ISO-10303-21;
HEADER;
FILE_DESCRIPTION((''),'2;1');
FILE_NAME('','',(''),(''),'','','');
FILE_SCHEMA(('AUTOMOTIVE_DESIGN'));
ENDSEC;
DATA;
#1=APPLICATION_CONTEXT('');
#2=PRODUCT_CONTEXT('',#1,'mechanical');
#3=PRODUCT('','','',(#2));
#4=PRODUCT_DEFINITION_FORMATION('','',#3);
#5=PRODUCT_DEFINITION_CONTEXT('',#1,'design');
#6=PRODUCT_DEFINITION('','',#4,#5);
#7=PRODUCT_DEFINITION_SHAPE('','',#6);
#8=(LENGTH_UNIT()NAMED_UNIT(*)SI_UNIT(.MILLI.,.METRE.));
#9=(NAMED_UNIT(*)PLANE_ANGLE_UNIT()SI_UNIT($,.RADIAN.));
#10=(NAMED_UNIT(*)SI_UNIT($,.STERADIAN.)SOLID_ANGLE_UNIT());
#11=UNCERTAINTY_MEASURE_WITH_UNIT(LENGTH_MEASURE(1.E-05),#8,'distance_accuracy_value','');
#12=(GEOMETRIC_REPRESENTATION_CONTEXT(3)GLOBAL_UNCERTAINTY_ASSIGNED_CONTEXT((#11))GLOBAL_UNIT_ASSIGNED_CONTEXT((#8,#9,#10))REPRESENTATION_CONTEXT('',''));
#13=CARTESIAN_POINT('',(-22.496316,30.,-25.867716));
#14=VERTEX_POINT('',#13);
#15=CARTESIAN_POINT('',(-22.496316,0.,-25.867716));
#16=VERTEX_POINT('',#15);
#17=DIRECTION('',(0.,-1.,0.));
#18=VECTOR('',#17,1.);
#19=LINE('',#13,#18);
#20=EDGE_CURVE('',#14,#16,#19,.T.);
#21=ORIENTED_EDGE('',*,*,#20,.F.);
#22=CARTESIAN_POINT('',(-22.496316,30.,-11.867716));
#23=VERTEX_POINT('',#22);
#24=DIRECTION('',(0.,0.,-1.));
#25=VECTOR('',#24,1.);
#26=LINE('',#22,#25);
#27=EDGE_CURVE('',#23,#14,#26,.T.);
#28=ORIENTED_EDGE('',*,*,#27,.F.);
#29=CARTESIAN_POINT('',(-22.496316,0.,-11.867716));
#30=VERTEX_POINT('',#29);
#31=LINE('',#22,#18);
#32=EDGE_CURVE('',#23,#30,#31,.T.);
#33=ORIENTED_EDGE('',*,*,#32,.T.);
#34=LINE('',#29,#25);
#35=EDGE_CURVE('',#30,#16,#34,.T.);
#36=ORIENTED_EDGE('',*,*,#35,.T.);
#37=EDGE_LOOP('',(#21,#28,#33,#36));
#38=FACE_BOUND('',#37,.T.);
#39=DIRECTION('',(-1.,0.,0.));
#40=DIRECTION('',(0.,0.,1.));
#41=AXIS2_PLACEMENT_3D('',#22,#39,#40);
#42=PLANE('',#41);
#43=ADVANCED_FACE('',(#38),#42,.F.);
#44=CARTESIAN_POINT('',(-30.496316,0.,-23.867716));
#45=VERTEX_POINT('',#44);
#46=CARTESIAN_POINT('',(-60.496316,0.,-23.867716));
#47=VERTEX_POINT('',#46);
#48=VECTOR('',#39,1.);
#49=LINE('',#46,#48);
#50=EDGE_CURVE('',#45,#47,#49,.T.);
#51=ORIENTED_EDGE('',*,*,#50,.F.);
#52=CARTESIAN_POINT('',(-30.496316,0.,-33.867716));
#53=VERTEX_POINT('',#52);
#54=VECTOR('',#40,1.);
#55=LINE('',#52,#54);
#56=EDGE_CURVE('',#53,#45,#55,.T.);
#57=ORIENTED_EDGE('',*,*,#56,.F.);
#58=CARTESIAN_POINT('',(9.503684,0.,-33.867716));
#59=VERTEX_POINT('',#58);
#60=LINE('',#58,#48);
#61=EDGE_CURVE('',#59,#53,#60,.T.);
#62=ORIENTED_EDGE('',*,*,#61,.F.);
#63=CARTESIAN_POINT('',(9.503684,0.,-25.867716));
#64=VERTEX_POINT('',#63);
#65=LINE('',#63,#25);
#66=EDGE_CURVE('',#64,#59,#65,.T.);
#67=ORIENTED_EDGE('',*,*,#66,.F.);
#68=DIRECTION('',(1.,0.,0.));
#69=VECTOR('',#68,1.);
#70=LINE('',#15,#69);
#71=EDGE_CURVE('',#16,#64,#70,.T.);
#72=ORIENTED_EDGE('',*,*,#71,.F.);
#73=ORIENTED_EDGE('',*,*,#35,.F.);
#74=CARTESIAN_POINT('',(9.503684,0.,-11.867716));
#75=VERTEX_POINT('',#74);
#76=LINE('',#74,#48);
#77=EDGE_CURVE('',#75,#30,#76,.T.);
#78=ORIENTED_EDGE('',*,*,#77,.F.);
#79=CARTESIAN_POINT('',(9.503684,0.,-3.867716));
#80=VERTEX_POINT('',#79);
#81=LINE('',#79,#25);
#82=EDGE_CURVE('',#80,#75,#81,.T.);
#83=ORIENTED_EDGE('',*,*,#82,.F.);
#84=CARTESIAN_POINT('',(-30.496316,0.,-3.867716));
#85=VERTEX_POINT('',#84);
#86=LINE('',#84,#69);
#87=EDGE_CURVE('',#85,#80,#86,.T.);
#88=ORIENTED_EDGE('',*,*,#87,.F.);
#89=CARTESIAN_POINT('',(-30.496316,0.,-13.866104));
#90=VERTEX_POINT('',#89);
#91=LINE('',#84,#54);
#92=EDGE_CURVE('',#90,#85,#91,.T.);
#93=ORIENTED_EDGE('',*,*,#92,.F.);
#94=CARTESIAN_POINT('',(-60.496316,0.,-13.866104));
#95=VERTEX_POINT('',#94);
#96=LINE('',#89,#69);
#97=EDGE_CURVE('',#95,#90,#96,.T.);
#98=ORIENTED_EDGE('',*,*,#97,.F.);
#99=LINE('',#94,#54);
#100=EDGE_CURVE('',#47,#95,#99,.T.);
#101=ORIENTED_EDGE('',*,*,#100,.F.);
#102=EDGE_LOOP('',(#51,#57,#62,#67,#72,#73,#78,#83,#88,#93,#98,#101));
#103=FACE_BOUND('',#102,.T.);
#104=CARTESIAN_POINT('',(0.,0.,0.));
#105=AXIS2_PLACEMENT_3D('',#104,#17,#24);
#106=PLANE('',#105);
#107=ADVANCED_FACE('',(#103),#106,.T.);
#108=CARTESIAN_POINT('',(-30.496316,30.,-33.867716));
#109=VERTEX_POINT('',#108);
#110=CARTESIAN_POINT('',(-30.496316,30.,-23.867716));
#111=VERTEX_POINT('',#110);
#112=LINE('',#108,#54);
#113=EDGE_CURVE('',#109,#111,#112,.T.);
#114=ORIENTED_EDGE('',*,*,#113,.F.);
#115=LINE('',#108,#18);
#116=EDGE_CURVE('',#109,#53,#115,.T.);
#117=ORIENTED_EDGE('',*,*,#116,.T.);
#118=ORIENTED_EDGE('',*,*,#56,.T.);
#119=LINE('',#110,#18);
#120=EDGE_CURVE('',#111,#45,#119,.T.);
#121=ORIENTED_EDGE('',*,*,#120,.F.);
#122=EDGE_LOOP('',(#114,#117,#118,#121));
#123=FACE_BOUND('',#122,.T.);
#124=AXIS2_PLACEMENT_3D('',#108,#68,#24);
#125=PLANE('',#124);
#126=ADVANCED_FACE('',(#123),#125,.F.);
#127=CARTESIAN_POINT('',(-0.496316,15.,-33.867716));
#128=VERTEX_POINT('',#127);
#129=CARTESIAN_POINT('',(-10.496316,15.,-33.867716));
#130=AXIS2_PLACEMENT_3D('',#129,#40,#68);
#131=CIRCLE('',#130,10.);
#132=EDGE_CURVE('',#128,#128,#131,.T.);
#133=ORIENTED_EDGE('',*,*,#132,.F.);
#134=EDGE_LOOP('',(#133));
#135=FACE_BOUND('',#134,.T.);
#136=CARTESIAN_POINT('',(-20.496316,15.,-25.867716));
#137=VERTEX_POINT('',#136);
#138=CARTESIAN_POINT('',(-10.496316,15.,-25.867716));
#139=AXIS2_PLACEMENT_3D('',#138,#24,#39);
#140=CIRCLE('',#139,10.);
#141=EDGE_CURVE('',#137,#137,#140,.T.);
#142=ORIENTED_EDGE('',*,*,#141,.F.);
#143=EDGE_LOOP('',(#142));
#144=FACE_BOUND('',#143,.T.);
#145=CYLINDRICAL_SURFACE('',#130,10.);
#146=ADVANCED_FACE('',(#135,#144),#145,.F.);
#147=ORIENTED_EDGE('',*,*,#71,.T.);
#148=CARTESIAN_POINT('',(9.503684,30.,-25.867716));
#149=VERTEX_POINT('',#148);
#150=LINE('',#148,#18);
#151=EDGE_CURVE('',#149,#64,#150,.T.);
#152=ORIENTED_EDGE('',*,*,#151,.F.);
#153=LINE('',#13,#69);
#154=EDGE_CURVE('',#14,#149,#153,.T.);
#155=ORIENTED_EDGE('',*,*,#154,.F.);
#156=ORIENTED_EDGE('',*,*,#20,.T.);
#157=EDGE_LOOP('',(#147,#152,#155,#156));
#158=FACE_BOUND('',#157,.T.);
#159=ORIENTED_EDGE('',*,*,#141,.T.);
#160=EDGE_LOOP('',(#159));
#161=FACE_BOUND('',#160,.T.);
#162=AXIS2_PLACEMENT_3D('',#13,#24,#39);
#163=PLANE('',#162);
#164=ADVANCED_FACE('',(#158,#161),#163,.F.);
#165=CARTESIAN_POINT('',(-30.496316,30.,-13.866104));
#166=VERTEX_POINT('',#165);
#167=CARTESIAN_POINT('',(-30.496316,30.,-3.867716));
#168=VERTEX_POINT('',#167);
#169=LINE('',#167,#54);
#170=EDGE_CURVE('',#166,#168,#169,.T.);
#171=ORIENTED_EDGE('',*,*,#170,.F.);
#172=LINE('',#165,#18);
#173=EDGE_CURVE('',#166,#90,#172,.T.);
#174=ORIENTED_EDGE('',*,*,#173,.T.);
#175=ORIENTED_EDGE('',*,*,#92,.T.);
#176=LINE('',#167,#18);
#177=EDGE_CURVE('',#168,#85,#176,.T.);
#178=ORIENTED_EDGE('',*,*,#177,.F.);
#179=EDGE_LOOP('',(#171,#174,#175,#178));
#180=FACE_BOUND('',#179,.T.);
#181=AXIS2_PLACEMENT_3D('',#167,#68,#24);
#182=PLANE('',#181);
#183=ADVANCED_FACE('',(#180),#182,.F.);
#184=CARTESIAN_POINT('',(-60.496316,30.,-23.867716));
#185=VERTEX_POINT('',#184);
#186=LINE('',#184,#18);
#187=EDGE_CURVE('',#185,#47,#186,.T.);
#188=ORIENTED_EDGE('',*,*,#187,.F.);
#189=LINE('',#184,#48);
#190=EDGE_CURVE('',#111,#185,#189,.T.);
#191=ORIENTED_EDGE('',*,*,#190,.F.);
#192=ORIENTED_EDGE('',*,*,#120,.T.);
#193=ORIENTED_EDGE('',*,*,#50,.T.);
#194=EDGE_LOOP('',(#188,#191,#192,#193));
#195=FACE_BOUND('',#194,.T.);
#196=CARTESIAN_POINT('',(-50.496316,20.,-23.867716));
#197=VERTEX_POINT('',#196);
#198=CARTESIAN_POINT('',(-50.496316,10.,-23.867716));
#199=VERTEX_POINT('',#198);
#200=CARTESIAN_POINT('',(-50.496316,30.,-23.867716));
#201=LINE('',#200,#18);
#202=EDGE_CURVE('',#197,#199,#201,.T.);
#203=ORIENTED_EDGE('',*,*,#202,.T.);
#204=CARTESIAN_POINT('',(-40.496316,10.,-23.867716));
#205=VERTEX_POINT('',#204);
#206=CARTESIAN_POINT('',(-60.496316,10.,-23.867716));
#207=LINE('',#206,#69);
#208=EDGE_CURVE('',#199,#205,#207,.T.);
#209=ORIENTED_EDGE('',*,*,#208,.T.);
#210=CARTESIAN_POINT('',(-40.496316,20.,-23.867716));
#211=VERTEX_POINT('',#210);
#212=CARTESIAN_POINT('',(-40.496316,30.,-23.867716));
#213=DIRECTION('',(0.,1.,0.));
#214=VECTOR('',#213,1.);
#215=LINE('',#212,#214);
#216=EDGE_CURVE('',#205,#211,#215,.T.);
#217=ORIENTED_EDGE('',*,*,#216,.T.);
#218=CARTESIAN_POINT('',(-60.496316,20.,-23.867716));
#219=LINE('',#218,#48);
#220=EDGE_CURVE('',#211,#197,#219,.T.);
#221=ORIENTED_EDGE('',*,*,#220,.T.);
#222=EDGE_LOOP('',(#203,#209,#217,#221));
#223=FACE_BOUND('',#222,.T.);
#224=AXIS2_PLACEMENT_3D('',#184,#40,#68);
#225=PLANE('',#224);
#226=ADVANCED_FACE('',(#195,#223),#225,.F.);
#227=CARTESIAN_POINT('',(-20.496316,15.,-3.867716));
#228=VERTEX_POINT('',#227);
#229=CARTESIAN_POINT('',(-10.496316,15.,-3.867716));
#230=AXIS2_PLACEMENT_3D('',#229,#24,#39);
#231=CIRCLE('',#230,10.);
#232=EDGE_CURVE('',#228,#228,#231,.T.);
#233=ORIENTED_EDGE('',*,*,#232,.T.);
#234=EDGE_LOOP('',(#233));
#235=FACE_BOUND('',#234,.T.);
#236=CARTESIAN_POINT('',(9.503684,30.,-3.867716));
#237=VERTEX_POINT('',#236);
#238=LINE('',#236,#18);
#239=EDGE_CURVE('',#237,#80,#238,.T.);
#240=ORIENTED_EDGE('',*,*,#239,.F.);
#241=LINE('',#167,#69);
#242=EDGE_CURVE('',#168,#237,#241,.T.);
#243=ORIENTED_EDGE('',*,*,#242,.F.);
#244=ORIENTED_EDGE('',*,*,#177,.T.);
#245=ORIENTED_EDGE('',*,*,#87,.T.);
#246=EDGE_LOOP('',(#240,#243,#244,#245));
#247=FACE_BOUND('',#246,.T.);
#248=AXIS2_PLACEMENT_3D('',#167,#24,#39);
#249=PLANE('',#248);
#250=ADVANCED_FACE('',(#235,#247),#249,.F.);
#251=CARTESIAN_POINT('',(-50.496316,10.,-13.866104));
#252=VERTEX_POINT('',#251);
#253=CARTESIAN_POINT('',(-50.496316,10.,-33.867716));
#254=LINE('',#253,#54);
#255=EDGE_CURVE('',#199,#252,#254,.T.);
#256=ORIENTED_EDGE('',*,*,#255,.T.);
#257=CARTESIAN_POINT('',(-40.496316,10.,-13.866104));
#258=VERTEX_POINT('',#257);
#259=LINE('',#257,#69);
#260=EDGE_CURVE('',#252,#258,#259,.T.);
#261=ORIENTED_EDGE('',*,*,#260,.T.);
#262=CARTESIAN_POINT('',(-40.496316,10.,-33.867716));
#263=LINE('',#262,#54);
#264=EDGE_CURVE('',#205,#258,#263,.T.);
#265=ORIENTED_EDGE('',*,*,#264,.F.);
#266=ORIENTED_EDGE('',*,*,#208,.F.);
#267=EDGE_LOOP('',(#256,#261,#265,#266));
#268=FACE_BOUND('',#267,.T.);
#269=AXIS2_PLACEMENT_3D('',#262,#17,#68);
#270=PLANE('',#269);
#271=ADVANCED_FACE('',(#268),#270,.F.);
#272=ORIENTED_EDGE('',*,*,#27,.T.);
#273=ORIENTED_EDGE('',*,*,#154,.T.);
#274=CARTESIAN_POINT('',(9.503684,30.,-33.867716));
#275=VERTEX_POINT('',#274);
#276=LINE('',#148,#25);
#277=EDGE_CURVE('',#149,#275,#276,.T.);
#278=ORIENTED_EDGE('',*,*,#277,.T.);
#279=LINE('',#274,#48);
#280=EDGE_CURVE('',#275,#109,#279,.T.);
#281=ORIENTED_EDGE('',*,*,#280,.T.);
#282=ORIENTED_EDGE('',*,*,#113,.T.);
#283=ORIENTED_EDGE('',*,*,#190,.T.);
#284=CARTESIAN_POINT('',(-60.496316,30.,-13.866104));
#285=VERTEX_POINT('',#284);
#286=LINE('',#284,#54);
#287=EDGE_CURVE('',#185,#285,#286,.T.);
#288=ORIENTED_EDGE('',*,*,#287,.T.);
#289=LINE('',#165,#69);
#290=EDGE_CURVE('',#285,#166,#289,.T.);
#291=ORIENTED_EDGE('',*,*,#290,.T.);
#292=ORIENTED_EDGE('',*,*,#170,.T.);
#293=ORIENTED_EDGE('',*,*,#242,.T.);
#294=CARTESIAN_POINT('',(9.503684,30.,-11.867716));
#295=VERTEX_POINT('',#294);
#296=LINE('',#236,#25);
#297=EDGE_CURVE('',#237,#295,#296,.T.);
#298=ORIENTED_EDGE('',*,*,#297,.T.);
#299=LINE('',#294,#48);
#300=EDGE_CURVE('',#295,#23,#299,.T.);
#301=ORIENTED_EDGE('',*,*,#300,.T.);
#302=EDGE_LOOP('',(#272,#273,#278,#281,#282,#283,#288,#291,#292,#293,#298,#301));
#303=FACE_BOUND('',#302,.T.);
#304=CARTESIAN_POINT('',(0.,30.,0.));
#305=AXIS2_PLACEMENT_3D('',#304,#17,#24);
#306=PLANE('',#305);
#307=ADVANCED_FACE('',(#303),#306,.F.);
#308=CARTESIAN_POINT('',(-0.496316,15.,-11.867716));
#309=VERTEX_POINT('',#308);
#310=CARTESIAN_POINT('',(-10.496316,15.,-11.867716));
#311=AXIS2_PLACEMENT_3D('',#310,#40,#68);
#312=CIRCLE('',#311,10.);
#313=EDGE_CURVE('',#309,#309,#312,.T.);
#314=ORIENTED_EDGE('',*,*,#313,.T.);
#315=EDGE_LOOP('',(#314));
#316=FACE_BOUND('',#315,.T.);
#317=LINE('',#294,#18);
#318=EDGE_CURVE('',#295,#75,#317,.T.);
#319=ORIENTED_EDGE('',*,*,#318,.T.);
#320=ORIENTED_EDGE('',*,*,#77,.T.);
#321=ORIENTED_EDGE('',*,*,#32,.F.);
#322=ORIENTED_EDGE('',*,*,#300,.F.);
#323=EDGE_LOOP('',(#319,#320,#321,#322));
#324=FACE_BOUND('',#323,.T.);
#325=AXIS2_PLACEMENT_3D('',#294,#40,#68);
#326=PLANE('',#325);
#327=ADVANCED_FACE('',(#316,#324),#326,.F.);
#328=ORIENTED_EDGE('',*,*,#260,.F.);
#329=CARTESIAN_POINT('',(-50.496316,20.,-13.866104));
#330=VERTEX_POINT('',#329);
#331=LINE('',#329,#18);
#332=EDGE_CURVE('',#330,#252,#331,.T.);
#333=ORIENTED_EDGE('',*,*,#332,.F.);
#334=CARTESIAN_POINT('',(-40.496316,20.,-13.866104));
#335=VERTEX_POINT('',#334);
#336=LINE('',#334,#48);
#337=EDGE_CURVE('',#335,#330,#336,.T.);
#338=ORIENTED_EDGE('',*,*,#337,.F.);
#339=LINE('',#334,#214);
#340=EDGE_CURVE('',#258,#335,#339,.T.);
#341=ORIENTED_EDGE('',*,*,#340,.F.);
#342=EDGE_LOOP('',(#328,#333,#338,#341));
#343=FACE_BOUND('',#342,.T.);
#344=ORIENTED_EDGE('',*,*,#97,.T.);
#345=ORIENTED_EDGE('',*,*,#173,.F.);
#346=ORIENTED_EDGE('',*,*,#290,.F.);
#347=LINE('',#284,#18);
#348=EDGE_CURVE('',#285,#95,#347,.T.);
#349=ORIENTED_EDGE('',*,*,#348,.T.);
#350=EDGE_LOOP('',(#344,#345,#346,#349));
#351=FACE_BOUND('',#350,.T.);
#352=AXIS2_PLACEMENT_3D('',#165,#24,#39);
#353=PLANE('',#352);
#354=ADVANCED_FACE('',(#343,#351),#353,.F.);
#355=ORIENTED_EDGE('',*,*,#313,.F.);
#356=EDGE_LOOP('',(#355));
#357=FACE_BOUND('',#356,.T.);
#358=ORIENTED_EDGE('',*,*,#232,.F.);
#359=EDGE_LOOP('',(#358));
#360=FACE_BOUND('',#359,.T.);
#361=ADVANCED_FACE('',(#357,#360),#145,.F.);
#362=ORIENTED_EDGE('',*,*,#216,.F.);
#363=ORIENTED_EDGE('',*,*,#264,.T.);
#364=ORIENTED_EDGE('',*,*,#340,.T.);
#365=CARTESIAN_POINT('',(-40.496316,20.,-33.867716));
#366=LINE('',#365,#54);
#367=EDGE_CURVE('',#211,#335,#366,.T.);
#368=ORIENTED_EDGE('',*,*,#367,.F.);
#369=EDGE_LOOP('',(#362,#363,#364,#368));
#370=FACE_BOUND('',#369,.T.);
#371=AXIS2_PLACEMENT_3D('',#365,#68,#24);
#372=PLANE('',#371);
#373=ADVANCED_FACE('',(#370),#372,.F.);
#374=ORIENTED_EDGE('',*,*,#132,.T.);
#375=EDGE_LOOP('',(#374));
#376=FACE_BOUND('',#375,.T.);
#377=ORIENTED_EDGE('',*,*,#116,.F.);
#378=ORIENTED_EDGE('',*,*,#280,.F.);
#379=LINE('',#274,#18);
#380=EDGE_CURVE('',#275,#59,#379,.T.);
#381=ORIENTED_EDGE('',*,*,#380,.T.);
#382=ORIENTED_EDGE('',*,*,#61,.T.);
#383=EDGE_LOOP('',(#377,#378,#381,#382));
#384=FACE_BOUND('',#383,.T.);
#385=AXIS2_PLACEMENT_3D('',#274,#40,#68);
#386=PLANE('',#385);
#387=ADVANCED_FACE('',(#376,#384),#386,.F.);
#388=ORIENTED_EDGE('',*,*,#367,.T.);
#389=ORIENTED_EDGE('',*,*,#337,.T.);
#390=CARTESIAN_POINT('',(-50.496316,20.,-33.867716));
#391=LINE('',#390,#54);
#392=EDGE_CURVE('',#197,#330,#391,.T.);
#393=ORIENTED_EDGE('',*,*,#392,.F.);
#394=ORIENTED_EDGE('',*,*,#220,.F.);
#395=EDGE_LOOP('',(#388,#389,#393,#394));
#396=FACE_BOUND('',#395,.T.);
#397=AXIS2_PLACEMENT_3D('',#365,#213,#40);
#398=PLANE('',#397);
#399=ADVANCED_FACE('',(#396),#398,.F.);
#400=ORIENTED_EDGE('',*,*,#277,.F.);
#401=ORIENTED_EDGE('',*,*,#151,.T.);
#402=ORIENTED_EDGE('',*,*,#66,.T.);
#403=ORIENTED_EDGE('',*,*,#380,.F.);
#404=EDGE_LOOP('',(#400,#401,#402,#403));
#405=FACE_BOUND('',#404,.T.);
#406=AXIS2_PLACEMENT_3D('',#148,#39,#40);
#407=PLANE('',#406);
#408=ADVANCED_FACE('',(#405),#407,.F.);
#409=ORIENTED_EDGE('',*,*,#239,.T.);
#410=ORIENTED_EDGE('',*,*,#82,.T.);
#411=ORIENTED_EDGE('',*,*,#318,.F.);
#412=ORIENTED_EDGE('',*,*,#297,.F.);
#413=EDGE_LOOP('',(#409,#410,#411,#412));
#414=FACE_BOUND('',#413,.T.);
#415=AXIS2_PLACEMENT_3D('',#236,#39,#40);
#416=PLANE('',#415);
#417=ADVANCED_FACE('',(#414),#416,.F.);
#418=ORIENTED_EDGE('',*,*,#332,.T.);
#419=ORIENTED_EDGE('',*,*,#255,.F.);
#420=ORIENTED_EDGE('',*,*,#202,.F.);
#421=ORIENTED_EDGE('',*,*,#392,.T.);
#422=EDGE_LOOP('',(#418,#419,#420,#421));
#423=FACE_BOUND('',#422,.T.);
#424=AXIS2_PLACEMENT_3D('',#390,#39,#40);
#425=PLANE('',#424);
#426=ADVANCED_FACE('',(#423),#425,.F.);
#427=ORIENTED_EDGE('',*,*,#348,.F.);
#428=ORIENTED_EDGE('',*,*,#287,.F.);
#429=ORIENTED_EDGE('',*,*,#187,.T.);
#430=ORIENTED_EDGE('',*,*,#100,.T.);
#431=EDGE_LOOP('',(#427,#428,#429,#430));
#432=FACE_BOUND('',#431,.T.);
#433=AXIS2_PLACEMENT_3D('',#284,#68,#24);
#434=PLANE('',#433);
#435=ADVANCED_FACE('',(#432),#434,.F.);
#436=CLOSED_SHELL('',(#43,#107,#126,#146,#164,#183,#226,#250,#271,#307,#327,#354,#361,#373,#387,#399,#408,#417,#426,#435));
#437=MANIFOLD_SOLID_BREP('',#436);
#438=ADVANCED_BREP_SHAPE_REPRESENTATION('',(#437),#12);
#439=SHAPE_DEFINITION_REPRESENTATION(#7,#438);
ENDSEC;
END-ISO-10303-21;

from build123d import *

# Parameters (mm, degrees)
EXTRUDE_1_DEPTH          = 30
CUT_EXTRUDE_1_DEPTH      = 74.890488337
CUT_EXTRUDE_1_DEPTH_BACK = 74.890488337
SKETCH_2_R               = 10
SKETCH_4_W               = 10
SKETCH_4_H               = 10
CUT_EXTRUDE_2_DEPTH      = 71.426335574


with BuildPart() as part:
    # 스케치1 → 보스-돌출1 (new body)
    with BuildSketch(Plane(origin=(0, 0, 0), x_dir=(1, 0, 0), z_dir=(0, 1, 0))):
        Polygon((-30.496316142, 3.867716008), (-30.496316142, 13.866104182), (-60.496316142, 13.866104182), (-60.496316142, 23.867716008), (-30.496316142, 23.867716008), (-30.496316142, 33.867716008), (9.503683858, 33.867716008), (9.503683858, 25.867716008), (-22.496316142, 25.867716008), (-22.496316142, 11.867716008), (9.503683858, 11.867716008), (9.503683858, 3.867716008), align=None)
    extrude(amount=EXTRUDE_1_DEPTH)

    # 스케치2 → 컷-돌출1 (cut, two sides: drawn at the far end of the back side and taken through both)
    with BuildSketch(Plane.XY.offset(-3.867716008).offset(-CUT_EXTRUDE_1_DEPTH_BACK)):
        with Locations((-10.496316142, 15)):
            Circle(SKETCH_2_R)
    extrude(amount=CUT_EXTRUDE_1_DEPTH + CUT_EXTRUDE_1_DEPTH_BACK, mode=Mode.SUBTRACT)

    # 스케치4 → 컷-돌출2 (cut, through all)
    with BuildSketch(Plane.XY.offset(-13.866104182)):
        with Locations((-45.496316142, 15)):
            Rectangle(SKETCH_4_W, SKETCH_4_H)
    extrude(amount=-CUT_EXTRUDE_2_DEPTH, mode=Mode.SUBTRACT)


solid = part.part
